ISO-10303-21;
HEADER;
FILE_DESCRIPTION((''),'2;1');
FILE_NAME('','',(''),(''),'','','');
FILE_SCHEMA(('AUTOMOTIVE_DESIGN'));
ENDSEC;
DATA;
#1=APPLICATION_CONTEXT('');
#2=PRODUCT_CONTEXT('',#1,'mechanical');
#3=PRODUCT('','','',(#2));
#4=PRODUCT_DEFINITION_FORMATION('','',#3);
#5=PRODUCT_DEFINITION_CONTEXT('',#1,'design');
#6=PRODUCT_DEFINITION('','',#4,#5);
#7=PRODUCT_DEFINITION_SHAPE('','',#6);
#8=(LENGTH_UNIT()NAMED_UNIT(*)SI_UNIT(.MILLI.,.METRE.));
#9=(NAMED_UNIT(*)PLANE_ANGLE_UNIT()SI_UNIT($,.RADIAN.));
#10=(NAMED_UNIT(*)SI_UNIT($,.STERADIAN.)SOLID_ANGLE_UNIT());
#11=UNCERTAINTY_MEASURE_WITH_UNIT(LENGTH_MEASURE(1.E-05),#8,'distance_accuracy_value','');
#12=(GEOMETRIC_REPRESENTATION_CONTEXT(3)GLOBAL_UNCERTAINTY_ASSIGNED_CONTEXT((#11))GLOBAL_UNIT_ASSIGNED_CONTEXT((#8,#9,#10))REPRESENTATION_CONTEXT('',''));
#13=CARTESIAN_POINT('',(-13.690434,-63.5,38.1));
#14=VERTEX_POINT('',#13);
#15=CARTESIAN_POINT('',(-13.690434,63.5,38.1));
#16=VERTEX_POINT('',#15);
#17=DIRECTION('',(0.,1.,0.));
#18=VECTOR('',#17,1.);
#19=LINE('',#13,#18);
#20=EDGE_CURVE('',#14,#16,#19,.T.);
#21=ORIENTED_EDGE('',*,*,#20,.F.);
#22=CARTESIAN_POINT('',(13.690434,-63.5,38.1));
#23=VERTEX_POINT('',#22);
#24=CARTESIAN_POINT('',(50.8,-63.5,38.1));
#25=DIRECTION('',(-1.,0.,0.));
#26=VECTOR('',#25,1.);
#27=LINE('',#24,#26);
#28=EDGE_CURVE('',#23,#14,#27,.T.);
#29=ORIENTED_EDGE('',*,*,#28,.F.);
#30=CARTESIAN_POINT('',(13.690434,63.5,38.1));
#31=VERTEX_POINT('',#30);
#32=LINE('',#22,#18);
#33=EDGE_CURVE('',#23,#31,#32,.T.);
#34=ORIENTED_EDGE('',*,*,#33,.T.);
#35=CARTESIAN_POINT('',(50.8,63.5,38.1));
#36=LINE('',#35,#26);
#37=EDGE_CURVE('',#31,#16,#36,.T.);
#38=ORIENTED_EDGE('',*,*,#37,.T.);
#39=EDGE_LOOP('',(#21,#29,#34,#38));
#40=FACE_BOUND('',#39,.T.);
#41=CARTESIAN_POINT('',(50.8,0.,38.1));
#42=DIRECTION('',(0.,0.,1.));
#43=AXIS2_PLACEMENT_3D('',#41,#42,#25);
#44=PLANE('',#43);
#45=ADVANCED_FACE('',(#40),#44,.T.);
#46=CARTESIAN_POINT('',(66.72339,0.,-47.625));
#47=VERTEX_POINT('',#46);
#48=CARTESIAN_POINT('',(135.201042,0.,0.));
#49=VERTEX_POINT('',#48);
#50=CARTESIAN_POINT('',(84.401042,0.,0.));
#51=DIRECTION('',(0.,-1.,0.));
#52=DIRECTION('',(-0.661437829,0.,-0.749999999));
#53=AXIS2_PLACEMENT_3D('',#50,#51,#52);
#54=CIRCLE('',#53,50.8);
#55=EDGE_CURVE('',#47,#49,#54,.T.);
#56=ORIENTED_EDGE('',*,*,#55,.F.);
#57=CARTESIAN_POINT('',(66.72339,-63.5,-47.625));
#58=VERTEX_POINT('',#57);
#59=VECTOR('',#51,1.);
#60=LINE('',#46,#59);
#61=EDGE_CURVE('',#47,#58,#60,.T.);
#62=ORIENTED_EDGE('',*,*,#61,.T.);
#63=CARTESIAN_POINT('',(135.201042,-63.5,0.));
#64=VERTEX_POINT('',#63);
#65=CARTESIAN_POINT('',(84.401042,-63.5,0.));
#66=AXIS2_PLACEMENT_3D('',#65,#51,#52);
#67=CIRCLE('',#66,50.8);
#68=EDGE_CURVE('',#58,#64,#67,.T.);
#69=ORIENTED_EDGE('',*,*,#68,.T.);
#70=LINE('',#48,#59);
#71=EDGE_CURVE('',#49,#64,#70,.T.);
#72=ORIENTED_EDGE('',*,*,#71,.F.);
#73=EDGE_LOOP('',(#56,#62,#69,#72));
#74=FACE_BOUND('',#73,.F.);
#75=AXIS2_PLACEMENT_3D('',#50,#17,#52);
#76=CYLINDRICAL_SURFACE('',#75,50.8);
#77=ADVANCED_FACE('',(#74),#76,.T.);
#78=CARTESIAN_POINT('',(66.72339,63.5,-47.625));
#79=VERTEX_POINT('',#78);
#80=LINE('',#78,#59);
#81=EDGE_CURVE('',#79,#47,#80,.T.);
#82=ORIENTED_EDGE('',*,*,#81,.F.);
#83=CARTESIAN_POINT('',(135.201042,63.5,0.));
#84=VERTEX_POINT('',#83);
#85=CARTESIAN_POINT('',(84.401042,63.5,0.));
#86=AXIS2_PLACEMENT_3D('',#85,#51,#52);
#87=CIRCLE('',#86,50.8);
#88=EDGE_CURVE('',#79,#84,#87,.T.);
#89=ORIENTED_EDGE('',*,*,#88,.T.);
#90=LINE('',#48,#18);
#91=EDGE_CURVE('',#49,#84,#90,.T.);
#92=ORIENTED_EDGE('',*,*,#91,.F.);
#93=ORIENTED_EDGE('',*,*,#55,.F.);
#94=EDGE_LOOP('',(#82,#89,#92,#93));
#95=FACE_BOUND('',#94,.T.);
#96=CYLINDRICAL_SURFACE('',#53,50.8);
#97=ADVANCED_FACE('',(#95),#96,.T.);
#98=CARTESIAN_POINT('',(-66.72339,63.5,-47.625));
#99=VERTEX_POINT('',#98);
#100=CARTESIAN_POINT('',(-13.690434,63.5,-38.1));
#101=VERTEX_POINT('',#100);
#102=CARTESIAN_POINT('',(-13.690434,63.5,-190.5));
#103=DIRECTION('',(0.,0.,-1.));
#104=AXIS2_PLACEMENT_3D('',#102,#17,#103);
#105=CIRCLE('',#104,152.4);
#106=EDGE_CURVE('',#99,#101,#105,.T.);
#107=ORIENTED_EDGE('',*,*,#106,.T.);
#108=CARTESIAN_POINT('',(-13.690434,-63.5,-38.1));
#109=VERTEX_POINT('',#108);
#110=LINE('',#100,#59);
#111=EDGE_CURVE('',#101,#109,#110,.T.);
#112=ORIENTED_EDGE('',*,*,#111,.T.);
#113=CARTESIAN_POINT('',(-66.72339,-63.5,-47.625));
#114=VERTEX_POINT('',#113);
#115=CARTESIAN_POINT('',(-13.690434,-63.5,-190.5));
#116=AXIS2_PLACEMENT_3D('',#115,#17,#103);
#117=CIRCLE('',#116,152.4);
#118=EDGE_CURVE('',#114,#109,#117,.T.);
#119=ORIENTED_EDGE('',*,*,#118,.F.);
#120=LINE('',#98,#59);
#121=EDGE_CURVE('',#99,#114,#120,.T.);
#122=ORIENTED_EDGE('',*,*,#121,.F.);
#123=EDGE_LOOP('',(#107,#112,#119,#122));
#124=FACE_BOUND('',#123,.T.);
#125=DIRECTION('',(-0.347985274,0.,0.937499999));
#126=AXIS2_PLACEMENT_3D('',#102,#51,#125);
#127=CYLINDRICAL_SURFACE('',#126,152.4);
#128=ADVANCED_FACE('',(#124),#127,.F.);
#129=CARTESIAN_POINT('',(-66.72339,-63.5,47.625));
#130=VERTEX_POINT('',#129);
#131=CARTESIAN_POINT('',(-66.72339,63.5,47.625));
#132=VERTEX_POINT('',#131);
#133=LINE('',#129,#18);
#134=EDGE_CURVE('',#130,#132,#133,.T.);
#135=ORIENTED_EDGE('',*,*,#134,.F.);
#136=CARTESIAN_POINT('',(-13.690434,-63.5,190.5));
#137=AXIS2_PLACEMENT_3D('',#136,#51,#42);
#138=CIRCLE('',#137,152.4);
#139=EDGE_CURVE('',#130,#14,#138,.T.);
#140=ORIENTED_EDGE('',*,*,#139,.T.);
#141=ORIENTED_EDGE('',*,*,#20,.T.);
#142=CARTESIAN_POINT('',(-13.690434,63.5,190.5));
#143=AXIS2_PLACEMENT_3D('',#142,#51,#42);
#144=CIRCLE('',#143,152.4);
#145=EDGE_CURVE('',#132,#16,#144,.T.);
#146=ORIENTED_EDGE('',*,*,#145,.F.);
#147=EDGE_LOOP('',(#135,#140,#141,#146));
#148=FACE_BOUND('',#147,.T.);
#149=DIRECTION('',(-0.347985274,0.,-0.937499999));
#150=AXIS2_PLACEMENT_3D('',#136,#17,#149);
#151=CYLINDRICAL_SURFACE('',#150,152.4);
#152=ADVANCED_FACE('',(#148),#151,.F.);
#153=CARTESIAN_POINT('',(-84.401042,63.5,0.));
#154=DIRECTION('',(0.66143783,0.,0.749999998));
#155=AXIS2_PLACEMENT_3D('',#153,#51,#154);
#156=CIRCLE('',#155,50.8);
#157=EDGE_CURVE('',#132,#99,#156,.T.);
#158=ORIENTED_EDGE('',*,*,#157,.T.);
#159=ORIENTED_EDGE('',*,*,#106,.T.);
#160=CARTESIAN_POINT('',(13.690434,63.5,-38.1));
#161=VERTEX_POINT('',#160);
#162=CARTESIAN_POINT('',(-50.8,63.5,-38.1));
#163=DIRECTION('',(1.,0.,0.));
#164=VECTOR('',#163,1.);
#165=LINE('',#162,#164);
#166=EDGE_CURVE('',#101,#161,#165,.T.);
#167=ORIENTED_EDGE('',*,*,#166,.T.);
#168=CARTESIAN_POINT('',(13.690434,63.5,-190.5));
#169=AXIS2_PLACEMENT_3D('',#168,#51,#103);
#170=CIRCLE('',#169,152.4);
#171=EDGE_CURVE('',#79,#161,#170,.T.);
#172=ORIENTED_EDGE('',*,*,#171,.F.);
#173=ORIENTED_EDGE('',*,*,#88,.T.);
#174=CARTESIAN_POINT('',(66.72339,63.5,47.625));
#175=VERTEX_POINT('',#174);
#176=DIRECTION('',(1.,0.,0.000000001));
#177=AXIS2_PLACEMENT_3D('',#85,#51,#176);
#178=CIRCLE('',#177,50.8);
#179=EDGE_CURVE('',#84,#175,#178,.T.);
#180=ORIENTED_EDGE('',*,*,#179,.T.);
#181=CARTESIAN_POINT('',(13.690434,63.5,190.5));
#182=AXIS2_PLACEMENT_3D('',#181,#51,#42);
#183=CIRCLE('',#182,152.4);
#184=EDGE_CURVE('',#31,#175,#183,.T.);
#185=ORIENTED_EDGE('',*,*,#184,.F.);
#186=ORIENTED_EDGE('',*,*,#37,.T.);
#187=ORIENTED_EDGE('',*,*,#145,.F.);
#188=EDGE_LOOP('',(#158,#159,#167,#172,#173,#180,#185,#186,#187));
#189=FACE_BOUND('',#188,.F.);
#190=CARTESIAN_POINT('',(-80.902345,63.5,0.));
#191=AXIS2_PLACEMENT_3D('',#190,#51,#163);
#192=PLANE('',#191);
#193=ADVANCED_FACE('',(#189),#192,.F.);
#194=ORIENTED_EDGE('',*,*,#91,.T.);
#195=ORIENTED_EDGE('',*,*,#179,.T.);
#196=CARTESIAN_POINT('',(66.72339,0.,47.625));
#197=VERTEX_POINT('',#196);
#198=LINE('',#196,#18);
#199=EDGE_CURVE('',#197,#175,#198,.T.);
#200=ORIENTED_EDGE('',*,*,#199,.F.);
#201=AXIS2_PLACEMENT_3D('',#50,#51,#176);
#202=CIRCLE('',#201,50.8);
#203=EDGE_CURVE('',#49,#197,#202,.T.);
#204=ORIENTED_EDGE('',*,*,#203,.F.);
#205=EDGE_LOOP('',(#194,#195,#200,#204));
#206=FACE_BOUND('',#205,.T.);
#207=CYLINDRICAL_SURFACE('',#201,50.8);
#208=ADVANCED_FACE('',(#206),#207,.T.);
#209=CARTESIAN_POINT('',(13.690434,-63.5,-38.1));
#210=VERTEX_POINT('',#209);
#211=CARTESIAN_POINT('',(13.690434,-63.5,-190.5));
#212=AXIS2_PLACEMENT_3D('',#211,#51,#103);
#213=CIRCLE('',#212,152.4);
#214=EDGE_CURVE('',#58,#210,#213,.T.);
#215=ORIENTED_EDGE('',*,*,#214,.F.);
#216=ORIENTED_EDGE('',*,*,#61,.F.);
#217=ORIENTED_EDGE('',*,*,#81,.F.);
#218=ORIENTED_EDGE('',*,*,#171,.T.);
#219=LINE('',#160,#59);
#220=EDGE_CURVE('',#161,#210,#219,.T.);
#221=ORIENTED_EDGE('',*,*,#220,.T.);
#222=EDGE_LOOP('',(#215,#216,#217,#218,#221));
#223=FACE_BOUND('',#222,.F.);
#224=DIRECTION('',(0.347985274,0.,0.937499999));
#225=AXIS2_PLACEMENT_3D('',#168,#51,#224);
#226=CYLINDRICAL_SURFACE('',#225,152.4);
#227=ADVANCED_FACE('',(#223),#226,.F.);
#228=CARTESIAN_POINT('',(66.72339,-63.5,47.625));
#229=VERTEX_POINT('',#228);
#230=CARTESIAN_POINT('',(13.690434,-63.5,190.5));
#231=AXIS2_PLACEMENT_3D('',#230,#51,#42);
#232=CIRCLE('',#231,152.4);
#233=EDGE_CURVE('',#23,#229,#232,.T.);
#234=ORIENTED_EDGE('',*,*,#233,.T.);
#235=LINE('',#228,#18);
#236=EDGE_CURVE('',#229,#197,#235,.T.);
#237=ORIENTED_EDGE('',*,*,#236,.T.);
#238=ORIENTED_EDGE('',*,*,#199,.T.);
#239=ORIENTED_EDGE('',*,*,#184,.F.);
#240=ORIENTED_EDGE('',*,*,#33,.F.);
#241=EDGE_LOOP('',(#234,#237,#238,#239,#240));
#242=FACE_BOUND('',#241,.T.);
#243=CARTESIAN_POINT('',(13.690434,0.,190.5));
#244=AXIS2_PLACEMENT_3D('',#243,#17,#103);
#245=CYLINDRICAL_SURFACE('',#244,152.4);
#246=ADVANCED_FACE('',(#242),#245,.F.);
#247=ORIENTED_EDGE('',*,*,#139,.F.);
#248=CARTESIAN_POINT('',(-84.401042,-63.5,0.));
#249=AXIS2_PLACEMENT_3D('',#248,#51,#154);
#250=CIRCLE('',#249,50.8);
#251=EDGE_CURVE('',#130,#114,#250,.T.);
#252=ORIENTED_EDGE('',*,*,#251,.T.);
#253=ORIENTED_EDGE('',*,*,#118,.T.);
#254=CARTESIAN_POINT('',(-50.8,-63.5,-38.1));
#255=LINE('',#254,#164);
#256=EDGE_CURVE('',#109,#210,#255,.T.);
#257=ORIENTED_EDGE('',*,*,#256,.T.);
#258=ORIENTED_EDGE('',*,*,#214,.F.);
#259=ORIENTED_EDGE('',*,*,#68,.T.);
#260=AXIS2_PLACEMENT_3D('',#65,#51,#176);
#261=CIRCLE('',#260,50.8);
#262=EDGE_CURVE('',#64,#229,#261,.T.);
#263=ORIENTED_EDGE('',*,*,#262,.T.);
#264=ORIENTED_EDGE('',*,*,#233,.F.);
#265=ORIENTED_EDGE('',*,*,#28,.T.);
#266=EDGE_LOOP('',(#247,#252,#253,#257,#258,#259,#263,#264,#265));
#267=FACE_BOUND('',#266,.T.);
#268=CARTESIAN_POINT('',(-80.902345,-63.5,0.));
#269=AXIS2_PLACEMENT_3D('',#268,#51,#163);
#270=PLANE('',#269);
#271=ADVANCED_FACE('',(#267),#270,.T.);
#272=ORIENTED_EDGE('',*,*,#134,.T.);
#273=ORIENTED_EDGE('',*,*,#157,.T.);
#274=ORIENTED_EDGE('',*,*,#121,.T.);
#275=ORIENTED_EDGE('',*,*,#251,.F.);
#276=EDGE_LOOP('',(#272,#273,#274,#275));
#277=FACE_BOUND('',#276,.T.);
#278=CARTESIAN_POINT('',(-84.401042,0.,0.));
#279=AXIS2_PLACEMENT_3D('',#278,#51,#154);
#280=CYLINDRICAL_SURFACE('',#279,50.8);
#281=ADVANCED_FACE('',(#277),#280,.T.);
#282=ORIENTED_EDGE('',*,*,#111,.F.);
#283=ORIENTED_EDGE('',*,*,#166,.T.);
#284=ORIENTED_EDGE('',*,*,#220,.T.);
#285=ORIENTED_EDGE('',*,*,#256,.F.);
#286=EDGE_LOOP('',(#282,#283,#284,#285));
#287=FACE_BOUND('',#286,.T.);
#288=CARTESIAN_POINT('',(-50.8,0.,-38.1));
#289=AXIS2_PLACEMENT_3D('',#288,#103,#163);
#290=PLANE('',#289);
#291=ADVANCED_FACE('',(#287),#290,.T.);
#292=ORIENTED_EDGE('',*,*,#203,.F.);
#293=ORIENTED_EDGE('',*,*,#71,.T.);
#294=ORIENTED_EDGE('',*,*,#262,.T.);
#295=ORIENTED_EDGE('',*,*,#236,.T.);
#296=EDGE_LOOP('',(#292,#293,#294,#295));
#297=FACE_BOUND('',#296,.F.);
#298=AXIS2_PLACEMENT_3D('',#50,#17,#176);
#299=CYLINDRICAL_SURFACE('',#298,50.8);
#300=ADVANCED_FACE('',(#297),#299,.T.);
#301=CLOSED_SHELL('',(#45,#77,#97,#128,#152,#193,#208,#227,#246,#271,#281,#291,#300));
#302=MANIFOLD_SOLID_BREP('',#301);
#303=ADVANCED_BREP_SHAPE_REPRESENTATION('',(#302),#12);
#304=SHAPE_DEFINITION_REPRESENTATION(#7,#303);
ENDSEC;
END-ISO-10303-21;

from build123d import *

# Parameters (mm, degrees)
F1_DEPTH = 63.5
F2_R     = 152.4


with BuildPart() as f1:
    # F0 (on Front) → F1 (new body, symmetric)
    with BuildSketch(Plane.XZ):
        with BuildLine():
            ThreePointArc((-50.8, -38.1), (-38.1, -20.901042), (-33.601042, 0))
            ThreePointArc((-33.601042, 0), (-38.1, 20.901042), (-50.8, 38.1))
            ThreePointArc((-50.8, 38.1), (-135.201042, 0), (-50.8, -38.1))
        make_face()
        with BuildLine():
            ThreePointArc((-50.8, 38.1), (-38.1, 20.901042), (-33.601042, 0))
            ThreePointArc((-33.601042, 0), (-38.1, -20.901042), (-50.8, -38.1))
            Line((-50.8, -38.1), (50.8, -38.1))
            ThreePointArc((50.8, -38.1), (33.601042, 0), (50.8, 38.1))
            Line((50.8, 38.1), (-50.8, 38.1))
        make_face()
        with BuildLine():
            ThreePointArc((135.201042, 0), (105.302083, 46.301042), (50.8, 38.1))
            ThreePointArc((50.8, 38.1), (33.601042, 0), (50.8, -38.1))
            ThreePointArc((50.8, -38.1), (105.302083, -46.301042), (135.201042, 0))
        make_face()
    extrude(amount=F1_DEPTH, both=True)

    # F2
    f2_edges = [f1.edges().sort_by_distance(p)[0] for p in [
        (-50.8, 0, 38.1),
        (50.8, 0, 38.1),
        (-50.8, 0, -38.1),
        (50.8, 0, -38.1),
    ]]
    fillet(f2_edges, radius=F2_R)


solid = f1.part
